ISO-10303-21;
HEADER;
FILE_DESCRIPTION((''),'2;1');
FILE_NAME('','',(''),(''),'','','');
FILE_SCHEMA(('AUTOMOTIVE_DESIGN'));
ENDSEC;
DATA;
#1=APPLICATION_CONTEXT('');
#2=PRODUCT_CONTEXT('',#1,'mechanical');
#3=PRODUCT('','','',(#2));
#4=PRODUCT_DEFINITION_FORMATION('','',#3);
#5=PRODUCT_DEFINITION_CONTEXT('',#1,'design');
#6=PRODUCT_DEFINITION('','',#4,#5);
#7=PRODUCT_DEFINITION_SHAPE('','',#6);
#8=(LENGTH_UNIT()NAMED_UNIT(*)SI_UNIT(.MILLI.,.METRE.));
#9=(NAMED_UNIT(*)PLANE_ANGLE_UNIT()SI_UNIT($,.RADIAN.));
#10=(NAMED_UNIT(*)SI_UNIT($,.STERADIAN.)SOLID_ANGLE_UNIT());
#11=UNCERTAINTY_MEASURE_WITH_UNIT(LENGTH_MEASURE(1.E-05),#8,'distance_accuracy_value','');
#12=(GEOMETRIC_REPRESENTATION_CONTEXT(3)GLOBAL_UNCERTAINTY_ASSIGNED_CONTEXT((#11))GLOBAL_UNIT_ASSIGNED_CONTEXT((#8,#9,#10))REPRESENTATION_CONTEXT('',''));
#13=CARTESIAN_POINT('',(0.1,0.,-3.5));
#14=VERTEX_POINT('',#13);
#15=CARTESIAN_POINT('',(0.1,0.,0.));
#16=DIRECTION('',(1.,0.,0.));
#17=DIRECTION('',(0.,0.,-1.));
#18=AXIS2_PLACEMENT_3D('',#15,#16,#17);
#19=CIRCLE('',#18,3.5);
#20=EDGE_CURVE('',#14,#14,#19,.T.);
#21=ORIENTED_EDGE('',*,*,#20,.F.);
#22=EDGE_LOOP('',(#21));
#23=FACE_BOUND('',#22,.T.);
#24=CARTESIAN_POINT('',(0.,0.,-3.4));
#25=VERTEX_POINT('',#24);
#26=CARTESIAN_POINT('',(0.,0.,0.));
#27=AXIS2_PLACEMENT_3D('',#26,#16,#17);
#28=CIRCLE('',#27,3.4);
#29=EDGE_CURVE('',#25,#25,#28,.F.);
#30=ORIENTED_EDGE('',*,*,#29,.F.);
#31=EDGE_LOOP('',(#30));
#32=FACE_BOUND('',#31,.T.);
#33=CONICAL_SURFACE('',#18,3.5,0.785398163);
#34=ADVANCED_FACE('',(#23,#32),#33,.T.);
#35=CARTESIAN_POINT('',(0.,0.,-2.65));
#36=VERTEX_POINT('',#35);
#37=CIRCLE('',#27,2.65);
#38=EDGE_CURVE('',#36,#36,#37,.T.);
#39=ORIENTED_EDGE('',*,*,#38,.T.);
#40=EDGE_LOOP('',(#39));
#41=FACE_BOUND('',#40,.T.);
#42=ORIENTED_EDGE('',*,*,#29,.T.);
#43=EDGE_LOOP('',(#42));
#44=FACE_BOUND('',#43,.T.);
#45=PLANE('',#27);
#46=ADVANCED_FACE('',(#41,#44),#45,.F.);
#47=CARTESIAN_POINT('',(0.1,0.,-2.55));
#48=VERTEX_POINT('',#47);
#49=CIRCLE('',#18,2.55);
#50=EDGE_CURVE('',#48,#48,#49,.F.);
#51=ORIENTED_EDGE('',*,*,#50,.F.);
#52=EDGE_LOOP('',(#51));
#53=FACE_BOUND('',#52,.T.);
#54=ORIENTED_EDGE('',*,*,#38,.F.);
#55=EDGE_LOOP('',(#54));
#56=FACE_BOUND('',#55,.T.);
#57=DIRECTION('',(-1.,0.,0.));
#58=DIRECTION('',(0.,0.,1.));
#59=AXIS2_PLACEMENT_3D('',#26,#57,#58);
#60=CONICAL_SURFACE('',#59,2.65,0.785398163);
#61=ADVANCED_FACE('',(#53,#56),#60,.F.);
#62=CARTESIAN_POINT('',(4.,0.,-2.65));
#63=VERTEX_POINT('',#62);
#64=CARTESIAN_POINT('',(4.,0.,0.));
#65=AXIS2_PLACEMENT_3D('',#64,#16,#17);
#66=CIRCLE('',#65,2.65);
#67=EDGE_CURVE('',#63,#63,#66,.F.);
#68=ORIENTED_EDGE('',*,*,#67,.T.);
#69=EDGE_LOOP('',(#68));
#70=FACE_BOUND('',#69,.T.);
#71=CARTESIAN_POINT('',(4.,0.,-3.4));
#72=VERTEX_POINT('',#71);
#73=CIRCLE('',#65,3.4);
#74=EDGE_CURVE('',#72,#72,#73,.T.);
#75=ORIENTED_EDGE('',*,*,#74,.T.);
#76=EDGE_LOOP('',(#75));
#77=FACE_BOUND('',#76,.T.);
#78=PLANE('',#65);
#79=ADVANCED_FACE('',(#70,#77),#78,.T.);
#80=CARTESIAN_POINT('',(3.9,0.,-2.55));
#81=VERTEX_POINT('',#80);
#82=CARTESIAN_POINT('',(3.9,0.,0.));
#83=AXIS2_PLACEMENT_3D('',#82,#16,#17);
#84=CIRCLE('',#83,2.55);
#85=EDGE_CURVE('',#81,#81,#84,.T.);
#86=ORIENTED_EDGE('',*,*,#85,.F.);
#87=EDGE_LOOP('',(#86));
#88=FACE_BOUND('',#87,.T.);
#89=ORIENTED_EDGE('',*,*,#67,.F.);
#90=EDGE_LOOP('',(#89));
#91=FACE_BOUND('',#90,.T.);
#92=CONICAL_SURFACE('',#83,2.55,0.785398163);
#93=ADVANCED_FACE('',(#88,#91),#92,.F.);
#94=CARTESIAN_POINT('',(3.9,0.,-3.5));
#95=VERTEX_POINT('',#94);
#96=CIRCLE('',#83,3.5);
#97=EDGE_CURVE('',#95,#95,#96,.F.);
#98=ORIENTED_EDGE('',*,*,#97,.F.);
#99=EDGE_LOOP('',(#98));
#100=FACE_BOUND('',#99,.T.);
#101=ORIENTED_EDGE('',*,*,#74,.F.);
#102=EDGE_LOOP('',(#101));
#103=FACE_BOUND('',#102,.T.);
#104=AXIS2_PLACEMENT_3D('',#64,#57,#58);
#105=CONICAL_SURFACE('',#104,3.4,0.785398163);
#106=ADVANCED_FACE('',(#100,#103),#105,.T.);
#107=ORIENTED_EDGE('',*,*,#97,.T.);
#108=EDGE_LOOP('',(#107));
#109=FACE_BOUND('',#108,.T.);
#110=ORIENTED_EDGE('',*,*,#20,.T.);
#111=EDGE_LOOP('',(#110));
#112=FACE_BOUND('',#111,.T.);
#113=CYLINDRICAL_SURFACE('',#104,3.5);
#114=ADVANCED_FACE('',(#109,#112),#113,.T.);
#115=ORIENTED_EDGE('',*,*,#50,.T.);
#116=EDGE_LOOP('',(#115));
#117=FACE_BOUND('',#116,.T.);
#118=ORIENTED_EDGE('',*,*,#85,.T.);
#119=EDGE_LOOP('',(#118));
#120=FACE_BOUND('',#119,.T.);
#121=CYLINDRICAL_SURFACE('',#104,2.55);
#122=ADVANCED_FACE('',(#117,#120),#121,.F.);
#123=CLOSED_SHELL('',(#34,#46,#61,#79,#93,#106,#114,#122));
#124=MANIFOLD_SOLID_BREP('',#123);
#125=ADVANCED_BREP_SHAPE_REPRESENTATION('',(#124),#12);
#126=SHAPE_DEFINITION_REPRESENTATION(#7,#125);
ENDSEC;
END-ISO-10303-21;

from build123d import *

# Parameters (mm, degrees)
SKETCH_1_R      = 3.5
SKETCH_1_R_2    = 2.55
EXTRUDE_1_DEPTH = 4
CHAMFER_1_SIZE  = 0.1


with BuildPart() as part:
    # 草图1 → 凸台-拉伸1 (new body)
    with BuildSketch(Plane.YZ):
        with Locations(Location((0, 0, 0), (0, 0, 270))):
            Circle(SKETCH_1_R)
        with Locations(Location((0, 0, 0), (0, 0, 270))):
            Circle(SKETCH_1_R_2, mode=Mode.SUBTRACT)
    extrude(amount=EXTRUDE_1_DEPTH)

    # 倒角1
    chamfer_1_edges = [part.edges().sort_by_distance(p)[0] for p in [
        (0, 0, 3.5),
        (4, 0, 3.5),
        (0, 0, 2.55),
        (4, 0, 2.55),
    ]]
    chamfer(chamfer_1_edges, length=CHAMFER_1_SIZE)


solid = part.part
